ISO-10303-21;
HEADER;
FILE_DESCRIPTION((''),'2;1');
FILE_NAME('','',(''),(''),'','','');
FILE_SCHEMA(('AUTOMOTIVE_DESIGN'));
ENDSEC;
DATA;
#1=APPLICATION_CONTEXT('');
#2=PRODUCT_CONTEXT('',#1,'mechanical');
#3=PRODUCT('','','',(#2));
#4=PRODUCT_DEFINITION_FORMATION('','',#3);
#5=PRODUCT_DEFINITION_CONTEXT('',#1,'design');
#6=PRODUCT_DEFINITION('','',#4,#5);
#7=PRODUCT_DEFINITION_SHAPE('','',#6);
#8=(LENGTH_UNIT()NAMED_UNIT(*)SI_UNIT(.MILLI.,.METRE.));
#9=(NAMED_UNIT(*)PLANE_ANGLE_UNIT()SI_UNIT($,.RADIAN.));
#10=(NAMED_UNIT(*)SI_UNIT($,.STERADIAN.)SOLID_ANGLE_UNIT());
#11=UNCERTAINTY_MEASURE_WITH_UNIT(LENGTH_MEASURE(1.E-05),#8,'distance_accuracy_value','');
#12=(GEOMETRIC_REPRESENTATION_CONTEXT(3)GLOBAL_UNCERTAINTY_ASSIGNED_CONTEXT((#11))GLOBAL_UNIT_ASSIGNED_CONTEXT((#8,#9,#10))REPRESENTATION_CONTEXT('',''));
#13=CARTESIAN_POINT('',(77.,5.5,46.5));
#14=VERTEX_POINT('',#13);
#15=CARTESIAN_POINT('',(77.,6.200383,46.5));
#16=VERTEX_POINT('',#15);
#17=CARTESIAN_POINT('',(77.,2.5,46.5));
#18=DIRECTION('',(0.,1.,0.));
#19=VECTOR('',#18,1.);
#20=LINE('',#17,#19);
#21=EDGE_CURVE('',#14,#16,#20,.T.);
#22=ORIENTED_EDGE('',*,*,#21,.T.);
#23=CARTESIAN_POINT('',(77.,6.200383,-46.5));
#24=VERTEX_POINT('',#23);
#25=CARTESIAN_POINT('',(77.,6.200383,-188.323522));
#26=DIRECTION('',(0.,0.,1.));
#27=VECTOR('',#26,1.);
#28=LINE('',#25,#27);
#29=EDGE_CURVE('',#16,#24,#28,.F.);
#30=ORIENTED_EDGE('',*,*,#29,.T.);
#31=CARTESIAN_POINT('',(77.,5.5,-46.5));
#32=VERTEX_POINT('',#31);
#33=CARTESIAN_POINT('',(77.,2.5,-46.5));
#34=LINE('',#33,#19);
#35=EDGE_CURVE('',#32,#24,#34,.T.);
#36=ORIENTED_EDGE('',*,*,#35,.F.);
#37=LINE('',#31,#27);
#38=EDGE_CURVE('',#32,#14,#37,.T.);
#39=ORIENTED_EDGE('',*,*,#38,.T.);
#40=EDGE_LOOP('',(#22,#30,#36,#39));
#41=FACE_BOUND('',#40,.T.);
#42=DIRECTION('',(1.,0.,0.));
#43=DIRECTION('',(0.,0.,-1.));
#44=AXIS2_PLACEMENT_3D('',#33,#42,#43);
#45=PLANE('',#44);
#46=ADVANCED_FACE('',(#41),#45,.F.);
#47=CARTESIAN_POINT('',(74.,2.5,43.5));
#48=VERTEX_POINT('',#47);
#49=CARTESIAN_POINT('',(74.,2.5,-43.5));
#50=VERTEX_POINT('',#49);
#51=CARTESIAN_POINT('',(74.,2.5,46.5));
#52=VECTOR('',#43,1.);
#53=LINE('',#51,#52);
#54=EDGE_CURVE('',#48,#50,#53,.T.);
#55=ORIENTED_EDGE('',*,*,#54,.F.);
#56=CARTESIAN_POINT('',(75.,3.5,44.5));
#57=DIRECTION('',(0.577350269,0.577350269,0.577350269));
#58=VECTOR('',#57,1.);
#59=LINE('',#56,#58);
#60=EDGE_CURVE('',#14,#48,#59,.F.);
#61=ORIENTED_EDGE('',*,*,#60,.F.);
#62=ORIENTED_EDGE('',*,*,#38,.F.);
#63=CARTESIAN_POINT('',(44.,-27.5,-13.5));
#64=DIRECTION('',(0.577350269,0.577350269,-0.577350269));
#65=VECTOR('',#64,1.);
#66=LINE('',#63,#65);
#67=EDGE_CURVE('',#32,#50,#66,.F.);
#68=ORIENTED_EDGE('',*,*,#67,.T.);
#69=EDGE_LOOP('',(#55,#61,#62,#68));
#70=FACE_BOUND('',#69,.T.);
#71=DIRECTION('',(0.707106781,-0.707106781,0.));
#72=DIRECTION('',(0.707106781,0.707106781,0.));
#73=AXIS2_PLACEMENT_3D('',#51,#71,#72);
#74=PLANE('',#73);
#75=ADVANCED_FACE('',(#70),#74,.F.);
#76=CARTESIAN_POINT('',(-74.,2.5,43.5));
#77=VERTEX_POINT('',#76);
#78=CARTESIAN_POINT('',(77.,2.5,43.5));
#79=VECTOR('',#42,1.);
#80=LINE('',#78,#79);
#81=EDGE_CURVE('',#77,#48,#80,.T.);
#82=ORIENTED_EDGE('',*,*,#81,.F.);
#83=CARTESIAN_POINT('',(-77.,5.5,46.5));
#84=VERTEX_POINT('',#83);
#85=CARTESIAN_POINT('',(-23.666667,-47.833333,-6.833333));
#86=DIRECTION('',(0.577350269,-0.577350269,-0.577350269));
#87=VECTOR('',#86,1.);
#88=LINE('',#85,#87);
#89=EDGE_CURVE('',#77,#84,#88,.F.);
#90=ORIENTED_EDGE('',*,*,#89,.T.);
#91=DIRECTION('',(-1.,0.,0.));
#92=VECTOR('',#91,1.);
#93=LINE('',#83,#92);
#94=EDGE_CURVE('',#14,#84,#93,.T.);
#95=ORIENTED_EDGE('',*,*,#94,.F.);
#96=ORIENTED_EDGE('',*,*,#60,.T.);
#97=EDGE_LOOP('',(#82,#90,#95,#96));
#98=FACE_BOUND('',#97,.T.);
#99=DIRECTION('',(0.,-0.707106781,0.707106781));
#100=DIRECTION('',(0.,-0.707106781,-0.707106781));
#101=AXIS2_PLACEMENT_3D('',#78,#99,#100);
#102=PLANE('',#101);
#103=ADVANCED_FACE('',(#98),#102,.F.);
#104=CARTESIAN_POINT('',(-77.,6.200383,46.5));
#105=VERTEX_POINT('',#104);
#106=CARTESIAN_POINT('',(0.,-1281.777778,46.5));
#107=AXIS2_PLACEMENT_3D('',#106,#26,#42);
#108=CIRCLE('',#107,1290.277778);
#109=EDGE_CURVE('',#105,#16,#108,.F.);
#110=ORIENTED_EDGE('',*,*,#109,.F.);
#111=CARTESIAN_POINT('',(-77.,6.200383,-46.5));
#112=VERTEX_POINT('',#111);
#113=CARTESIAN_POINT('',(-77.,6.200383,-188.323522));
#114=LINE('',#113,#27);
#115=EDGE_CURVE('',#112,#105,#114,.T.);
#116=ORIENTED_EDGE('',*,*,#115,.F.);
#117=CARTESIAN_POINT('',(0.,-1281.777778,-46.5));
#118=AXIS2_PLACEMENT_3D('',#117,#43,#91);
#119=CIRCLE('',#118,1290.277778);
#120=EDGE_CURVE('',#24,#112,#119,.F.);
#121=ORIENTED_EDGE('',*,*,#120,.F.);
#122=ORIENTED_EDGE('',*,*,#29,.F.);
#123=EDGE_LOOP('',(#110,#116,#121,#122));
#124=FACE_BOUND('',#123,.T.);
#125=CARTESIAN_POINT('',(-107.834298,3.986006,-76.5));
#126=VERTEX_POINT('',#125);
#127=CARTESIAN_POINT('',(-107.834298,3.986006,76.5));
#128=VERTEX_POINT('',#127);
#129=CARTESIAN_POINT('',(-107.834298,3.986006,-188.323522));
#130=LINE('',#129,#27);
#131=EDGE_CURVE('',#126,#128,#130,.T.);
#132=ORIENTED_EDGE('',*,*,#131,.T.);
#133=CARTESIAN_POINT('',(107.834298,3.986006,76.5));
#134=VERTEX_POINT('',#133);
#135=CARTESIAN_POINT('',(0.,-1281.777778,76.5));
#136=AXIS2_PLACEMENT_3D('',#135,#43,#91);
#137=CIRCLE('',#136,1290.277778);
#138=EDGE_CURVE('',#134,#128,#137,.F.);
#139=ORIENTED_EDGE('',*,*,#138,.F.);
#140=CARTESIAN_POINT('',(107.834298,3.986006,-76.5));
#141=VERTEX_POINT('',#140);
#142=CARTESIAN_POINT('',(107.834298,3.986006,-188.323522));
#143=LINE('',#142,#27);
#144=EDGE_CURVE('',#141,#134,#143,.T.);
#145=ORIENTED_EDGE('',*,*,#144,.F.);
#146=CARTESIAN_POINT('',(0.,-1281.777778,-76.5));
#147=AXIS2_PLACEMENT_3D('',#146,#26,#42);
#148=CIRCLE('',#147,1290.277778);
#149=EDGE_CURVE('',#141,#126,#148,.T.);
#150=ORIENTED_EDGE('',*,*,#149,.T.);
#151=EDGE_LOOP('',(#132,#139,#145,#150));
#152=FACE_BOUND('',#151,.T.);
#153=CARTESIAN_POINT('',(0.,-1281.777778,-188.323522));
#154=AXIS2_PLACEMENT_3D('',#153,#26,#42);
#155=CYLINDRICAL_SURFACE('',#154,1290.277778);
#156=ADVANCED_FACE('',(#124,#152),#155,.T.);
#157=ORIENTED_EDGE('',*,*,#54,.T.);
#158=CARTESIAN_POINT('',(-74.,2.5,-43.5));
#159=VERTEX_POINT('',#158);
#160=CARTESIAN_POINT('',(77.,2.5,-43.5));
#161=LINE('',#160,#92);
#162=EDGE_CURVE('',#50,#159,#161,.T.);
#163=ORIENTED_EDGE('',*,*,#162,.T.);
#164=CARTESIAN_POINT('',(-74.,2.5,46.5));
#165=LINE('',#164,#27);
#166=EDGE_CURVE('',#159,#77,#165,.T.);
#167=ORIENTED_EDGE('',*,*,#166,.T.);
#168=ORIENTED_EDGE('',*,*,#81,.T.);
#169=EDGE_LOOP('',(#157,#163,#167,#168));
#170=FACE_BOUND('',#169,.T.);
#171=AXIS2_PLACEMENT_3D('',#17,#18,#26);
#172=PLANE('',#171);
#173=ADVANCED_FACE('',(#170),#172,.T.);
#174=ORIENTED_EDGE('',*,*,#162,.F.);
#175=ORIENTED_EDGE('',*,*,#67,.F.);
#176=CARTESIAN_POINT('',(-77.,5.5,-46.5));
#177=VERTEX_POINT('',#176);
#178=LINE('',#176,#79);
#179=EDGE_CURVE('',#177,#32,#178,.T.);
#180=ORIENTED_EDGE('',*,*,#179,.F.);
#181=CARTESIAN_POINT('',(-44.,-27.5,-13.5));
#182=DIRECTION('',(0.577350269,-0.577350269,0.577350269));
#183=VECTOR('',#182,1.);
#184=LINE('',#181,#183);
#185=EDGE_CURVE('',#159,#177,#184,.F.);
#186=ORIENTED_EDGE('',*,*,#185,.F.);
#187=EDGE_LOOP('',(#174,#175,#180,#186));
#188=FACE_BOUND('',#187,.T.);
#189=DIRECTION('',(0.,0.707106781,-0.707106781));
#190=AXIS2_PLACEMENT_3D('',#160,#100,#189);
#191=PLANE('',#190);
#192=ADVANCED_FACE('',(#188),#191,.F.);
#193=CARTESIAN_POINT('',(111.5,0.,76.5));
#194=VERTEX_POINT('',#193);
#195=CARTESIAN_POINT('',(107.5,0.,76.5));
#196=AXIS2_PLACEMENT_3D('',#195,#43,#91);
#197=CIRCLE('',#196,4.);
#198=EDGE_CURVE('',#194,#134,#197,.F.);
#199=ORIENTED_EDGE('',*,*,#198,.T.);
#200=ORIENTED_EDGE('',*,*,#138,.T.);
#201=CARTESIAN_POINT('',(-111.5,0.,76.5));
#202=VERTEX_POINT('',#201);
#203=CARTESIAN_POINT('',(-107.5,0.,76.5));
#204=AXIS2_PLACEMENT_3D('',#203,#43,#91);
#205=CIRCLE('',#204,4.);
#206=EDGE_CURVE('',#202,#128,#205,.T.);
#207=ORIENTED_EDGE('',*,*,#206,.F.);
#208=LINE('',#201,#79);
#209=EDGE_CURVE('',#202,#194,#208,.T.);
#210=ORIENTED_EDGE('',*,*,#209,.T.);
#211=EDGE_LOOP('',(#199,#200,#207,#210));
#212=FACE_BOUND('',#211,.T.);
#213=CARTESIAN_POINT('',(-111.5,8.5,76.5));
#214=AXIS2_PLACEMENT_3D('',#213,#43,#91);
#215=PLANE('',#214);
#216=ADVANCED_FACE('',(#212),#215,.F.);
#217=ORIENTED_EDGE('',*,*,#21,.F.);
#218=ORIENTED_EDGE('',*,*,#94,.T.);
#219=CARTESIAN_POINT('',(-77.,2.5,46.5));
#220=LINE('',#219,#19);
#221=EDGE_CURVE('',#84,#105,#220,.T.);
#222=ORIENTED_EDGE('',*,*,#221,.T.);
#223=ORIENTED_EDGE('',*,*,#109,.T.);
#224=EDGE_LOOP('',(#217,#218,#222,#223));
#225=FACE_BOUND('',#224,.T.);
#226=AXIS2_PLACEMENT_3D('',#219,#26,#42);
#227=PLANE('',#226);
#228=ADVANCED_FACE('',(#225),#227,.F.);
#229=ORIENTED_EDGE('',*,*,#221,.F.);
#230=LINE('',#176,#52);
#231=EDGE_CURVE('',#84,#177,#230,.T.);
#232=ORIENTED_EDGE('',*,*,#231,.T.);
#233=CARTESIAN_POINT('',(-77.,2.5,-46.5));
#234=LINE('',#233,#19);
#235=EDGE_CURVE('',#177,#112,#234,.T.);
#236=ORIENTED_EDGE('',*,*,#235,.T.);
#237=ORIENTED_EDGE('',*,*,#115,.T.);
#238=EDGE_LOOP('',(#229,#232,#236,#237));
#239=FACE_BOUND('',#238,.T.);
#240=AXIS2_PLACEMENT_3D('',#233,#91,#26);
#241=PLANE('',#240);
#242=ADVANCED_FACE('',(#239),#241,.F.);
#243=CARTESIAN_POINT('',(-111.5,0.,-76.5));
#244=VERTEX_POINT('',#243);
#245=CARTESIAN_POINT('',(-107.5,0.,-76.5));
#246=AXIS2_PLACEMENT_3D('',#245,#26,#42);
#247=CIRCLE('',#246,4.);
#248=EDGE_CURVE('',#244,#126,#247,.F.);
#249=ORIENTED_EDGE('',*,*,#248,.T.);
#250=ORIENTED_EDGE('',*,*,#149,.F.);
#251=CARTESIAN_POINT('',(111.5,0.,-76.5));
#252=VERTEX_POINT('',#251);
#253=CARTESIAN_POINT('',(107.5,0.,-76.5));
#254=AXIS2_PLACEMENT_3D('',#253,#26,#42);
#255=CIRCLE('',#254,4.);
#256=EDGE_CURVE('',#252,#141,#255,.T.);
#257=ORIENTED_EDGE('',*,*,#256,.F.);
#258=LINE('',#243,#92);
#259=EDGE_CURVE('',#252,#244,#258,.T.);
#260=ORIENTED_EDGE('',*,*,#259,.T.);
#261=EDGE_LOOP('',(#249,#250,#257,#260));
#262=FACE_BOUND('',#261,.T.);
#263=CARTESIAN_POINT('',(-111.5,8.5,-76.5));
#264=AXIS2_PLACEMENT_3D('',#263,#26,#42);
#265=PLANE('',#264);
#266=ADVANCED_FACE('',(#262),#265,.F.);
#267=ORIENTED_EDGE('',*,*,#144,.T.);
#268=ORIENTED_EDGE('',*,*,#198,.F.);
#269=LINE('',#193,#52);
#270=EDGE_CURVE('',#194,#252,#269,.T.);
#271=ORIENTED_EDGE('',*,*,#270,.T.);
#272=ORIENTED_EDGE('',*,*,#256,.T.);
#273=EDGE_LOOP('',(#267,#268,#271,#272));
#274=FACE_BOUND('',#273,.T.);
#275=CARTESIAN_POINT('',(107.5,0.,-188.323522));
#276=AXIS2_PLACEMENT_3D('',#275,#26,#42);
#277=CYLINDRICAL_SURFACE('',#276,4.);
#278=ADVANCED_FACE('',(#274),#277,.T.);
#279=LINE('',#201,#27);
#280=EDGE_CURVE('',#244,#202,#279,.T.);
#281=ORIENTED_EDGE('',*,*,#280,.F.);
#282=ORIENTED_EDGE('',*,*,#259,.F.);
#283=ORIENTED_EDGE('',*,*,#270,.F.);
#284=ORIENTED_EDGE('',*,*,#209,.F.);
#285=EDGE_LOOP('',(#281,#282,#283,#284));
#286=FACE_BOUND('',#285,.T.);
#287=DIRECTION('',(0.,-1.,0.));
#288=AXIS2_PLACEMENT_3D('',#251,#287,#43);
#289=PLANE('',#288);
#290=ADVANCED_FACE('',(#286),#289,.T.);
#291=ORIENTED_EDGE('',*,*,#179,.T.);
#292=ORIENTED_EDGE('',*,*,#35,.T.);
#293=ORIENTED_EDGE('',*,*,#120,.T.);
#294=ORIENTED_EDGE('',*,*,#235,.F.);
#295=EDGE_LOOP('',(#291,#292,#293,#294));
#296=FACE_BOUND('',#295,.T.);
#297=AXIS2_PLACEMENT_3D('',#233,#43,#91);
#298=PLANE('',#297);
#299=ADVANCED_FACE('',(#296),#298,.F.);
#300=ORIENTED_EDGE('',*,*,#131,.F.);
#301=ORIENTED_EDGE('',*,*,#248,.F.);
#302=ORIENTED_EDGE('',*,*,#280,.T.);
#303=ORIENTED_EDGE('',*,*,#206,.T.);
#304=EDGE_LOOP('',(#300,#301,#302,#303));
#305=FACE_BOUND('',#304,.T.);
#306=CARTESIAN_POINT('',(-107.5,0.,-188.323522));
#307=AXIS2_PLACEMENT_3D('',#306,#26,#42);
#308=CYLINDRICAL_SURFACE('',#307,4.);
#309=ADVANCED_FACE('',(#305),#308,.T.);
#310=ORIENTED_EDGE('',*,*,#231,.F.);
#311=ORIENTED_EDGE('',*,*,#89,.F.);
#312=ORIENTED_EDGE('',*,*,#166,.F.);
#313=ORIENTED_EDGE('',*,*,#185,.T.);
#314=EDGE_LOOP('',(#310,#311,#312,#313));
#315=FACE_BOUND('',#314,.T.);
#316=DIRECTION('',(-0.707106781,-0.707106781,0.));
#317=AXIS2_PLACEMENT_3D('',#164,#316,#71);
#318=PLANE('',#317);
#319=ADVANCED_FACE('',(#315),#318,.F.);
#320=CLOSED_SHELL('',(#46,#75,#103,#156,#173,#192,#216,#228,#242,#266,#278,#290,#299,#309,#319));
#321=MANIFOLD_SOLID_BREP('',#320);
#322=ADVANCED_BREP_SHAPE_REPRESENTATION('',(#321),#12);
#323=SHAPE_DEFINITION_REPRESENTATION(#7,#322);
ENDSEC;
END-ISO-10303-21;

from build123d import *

# Parameters (mm, degrees)
SKETCH1_W                      = 223
SKETCH1_H                      = 153
BOSS_EXTRUDE2_DEPTH            = 8.5
SKETCH3_W                      = 154
SKETCH3_H                      = 93
CUT_EXTRUDE1_DEPTH             = 6
CUT_EXTRUDE3_REACH             = 137.487
CUT_EXTRUDE3_DIRECTION_2_REACH = 137.487
CHAMFER2_SIZE                  = 3


with BuildPart() as part:
    # Sketch1 → Boss-Extrude2 (new body)
    with BuildSketch(Plane(origin=(0, 0, 0), x_dir=(1, 0, 0), z_dir=(0, 1, 0))):
        Rectangle(SKETCH1_W, SKETCH1_H)
    extrude(amount=BOSS_EXTRUDE2_DEPTH)

    # Sketch3 → Cut-Extrude1 (cut)
    with BuildSketch(Plane(origin=(0, 8.5, 0), x_dir=(1, 0, 0), z_dir=(0, 1, 0))):
        Rectangle(SKETCH3_W, SKETCH3_H)
    extrude(amount=-CUT_EXTRUDE1_DEPTH, mode=Mode.SUBTRACT)

    # Cut-Extrude3: up to this face of the body (flat: up to its plane)
    cut_extrude3_end = Plane(part.part.faces().sort_by_distance((0, 4.25, -76.5))[0])
    # Sketch4 → Cut-Extrude3 (cut, up to the picked face)
    with BuildSketch(Plane.XY, mode=Mode.PRIVATE) as cut_extrude3_sk1:
        with BuildLine():
            Line((0, 8.5), (-111.5, 8.5))
            Line((-111.5, 8.5), (-111.5, 0))
            ThreePointArc((-111.5, 0), (-110.444247928, 2.707656577), (-107.834297931, 3.986006133))
            ThreePointArc((-107.834297931, 3.986006133), (-53.96436776, 7.371007599), (0, 8.5))
        make_face()
    cut_extrude3_tool1 = split(extrude(cut_extrude3_sk1.sketch, amount=-CUT_EXTRUDE3_REACH, mode=Mode.PRIVATE), bisect_by=cut_extrude3_end, keep=Keep.BOTH, mode=Mode.PRIVATE)
    # Sketch4 → Cut-Extrude3 (cut, up to the picked face)
    with BuildSketch(Plane.XY, mode=Mode.PRIVATE) as cut_extrude3_sk2:
        with BuildLine():
            Line((111.5, 8.5), (0, 8.5))
            ThreePointArc((0, 8.5), (53.96436776, 7.371007599), (107.834297931, 3.986006133))
            ThreePointArc((107.834297931, 3.986006133), (110.444247928, 2.707656577), (111.5, 0))
            Line((111.5, 0), (111.5, 8.5))
        make_face()
    cut_extrude3_tool2 = split(extrude(cut_extrude3_sk2.sketch, amount=-CUT_EXTRUDE3_REACH, mode=Mode.PRIVATE), bisect_by=cut_extrude3_end, keep=Keep.BOTH, mode=Mode.PRIVATE)
    add(cut_extrude3_tool1.solids().sort_by(Axis((-84.053137, 6.988854, 0), (0, 0, -1)))[0], mode=Mode.SUBTRACT)
    add(cut_extrude3_tool2.solids().sort_by(Axis((84.053137, 6.988854, 0), (0, 0, -1)))[0], mode=Mode.SUBTRACT)

    # Cut-Extrude3 direction 2: up to this face of the body (flat: up to its plane)
    cut_extrude3_direction_2_end = Plane(part.part.faces().sort_by_distance((0, 4.25, 76.5))[0])
    # Sketch4 → Cut-Extrude3 direction 2 (cut, up to the picked face)
    with BuildSketch(Plane.XY, mode=Mode.PRIVATE) as cut_extrude3_direction_2_sk1:
        with BuildLine():
            Line((0, 8.5), (-111.5, 8.5))
            Line((-111.5, 8.5), (-111.5, 0))
            ThreePointArc((-111.5, 0), (-110.444247928, 2.707656577), (-107.834297931, 3.986006133))
            ThreePointArc((-107.834297931, 3.986006133), (-53.96436776, 7.371007599), (0, 8.5))
        make_face()
    cut_extrude3_direction_2_tool1 = split(extrude(cut_extrude3_direction_2_sk1.sketch, amount=CUT_EXTRUDE3_DIRECTION_2_REACH, mode=Mode.PRIVATE), bisect_by=cut_extrude3_direction_2_end, keep=Keep.BOTH, mode=Mode.PRIVATE)
    # Sketch4 → Cut-Extrude3 direction 2 (cut, up to the picked face)
    with BuildSketch(Plane.XY, mode=Mode.PRIVATE) as cut_extrude3_direction_2_sk2:
        with BuildLine():
            Line((111.5, 8.5), (0, 8.5))
            ThreePointArc((0, 8.5), (53.96436776, 7.371007599), (107.834297931, 3.986006133))
            ThreePointArc((107.834297931, 3.986006133), (110.444247928, 2.707656577), (111.5, 0))
            Line((111.5, 0), (111.5, 8.5))
        make_face()
    cut_extrude3_direction_2_tool2 = split(extrude(cut_extrude3_direction_2_sk2.sketch, amount=CUT_EXTRUDE3_DIRECTION_2_REACH, mode=Mode.PRIVATE), bisect_by=cut_extrude3_direction_2_end, keep=Keep.BOTH, mode=Mode.PRIVATE)
    add(cut_extrude3_direction_2_tool1.solids().sort_by(Axis((-84.053137, 6.988854, 0), (0, 0, 1)))[0], mode=Mode.SUBTRACT)
    add(cut_extrude3_direction_2_tool2.solids().sort_by(Axis((84.053137, 6.988854, 0), (0, 0, 1)))[0], mode=Mode.SUBTRACT)

    # Chamfer2
    chamfer2_edges = [part.edges().sort_by_distance(p)[0] for p in [
        (77, 2.5, 0),
        (0, 2.5, 46.5),
        (-77, 2.5, 0),
        (0, 2.5, -46.5),
    ]]
    chamfer(chamfer2_edges, length=CHAMFER2_SIZE)


solid = part.part
